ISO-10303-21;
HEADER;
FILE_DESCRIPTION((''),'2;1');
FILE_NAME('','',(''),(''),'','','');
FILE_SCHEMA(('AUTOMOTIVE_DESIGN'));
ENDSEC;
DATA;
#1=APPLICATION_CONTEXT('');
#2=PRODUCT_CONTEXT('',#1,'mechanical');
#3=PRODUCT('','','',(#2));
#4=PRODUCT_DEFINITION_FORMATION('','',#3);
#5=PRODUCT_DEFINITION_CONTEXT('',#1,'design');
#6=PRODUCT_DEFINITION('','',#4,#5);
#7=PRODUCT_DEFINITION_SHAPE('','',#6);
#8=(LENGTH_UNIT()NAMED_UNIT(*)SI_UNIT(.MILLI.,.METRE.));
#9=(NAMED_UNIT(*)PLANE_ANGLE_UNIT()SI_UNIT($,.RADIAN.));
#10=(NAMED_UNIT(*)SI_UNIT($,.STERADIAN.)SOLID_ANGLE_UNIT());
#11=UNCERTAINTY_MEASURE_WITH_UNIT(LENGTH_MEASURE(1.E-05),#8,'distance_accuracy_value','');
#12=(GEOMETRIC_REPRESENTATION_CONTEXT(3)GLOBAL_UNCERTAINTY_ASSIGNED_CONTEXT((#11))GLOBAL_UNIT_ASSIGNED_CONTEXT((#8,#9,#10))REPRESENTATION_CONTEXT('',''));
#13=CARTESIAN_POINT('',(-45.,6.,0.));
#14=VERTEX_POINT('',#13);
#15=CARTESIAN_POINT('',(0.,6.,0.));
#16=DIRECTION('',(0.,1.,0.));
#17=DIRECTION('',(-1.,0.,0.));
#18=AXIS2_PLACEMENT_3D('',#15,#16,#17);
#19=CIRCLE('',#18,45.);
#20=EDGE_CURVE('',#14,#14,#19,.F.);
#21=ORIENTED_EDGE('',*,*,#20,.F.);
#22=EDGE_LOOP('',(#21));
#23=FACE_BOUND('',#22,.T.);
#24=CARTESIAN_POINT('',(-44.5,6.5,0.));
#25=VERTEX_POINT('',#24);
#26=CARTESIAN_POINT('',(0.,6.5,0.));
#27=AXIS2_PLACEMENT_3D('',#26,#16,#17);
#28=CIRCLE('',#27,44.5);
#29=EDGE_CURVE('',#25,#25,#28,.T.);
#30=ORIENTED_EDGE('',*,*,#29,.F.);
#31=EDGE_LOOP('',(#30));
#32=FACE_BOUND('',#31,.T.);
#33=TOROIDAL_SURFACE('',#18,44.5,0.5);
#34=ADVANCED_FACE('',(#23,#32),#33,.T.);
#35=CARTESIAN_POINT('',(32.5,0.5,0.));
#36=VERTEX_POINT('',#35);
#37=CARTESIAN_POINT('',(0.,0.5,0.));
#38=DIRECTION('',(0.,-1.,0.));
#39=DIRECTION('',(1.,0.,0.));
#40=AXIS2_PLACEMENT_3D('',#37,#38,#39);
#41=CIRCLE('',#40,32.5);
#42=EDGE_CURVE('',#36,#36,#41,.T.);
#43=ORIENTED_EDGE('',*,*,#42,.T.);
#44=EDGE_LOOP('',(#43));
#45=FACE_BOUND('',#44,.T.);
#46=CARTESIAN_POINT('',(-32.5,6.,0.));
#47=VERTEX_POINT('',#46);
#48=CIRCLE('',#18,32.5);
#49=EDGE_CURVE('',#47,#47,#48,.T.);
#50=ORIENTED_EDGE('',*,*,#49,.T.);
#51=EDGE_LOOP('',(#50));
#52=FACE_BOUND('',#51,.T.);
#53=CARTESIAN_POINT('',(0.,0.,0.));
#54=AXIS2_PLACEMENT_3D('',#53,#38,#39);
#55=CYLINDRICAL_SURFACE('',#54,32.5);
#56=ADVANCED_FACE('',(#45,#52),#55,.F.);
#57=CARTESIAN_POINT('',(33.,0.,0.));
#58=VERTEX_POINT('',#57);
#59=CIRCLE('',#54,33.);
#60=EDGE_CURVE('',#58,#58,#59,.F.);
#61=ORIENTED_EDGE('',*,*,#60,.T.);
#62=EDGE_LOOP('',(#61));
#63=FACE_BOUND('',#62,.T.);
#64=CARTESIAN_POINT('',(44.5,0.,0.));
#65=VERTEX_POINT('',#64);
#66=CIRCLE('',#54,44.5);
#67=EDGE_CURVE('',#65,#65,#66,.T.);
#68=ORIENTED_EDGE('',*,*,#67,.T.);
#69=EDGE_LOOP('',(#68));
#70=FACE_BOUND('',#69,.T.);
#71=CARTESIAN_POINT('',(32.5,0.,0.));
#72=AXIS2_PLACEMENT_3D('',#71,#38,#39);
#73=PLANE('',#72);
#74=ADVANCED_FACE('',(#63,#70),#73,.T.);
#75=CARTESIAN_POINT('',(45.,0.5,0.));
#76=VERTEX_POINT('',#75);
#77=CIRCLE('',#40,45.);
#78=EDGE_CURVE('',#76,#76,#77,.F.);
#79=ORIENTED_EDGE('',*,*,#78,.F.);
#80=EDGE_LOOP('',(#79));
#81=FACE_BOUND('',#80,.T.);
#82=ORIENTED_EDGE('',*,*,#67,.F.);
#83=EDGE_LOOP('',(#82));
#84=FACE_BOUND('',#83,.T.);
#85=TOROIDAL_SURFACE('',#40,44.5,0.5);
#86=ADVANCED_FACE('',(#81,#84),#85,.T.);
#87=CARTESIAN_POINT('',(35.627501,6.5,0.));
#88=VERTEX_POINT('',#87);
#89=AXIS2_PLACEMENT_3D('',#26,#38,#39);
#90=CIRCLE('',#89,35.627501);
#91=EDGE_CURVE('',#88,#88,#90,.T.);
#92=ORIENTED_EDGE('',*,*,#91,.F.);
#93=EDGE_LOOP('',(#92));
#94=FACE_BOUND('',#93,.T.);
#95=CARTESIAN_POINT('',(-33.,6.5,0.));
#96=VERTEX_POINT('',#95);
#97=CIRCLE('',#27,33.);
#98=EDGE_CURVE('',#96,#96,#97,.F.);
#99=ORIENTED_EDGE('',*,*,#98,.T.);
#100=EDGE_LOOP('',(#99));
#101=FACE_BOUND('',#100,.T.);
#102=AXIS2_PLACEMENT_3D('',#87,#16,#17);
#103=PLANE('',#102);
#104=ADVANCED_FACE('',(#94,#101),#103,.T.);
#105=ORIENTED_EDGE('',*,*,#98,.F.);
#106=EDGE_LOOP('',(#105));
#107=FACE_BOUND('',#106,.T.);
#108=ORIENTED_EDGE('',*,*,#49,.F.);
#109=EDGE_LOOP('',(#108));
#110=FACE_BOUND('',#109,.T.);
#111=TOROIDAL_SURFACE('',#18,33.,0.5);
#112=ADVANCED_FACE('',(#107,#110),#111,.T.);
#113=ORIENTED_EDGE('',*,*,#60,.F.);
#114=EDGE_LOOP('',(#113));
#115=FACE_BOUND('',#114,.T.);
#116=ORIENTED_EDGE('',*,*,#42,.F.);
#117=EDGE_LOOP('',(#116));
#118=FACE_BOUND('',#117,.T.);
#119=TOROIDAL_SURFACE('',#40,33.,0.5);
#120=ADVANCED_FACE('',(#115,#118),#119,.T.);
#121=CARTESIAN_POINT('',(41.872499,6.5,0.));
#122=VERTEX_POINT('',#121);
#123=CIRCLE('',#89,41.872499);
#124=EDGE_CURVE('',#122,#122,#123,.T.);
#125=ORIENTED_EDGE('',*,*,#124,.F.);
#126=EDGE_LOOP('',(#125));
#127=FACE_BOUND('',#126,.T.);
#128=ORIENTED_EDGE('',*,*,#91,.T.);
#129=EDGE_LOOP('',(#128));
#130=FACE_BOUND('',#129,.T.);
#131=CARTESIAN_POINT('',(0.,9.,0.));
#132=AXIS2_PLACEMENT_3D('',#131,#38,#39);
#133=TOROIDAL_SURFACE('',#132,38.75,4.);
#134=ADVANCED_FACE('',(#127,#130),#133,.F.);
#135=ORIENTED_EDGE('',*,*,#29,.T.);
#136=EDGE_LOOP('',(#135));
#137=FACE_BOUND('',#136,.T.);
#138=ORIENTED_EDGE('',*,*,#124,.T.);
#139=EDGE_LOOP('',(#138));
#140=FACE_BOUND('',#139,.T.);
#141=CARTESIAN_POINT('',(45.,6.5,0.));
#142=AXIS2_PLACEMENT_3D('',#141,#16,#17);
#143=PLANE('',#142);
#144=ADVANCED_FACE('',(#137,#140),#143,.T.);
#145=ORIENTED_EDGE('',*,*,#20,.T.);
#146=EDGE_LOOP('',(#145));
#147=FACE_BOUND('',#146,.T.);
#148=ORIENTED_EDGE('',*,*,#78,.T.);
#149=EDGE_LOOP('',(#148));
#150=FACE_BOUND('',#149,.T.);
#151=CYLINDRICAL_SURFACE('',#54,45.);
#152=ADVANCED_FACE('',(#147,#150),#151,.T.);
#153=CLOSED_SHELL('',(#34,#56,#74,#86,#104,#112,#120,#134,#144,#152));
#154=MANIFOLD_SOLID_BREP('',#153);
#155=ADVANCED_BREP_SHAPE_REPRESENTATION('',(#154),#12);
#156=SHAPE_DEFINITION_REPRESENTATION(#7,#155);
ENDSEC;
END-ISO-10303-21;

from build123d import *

# Parameters (mm, degrees)
FILLET1_R = 0.5


with BuildPart() as part:
    # Sketch1 → Revolve1 (revolve)
    with BuildSketch(Plane.XY):
        with BuildLine():
            Line((32.5, 0), (45, 0))
            Line((45, 0), (45, 6.5))
            Line((45, 6.5), (41.872498999, 6.5))
            ThreePointArc((41.872498999, 6.5), (38.75, 5), (35.627501001, 6.5))
            Line((35.627501001, 6.5), (32.5, 6.5))
            Line((32.5, 6.5), (32.5, 0))
        make_face()
    revolve(axis=Axis((0, 0, 0), (0, 1, 0)))

    # Fillet1
    fillet1_edges = [part.edges().sort_by_distance(p)[0] for p in [
        (-32.5, 6.5, 0),
        (-45, 6.5, 0),
        (-45, 0, 0),
        (-32.5, 0, 0),
    ]]
    fillet(fillet1_edges, radius=FILLET1_R)


solid = part.part
